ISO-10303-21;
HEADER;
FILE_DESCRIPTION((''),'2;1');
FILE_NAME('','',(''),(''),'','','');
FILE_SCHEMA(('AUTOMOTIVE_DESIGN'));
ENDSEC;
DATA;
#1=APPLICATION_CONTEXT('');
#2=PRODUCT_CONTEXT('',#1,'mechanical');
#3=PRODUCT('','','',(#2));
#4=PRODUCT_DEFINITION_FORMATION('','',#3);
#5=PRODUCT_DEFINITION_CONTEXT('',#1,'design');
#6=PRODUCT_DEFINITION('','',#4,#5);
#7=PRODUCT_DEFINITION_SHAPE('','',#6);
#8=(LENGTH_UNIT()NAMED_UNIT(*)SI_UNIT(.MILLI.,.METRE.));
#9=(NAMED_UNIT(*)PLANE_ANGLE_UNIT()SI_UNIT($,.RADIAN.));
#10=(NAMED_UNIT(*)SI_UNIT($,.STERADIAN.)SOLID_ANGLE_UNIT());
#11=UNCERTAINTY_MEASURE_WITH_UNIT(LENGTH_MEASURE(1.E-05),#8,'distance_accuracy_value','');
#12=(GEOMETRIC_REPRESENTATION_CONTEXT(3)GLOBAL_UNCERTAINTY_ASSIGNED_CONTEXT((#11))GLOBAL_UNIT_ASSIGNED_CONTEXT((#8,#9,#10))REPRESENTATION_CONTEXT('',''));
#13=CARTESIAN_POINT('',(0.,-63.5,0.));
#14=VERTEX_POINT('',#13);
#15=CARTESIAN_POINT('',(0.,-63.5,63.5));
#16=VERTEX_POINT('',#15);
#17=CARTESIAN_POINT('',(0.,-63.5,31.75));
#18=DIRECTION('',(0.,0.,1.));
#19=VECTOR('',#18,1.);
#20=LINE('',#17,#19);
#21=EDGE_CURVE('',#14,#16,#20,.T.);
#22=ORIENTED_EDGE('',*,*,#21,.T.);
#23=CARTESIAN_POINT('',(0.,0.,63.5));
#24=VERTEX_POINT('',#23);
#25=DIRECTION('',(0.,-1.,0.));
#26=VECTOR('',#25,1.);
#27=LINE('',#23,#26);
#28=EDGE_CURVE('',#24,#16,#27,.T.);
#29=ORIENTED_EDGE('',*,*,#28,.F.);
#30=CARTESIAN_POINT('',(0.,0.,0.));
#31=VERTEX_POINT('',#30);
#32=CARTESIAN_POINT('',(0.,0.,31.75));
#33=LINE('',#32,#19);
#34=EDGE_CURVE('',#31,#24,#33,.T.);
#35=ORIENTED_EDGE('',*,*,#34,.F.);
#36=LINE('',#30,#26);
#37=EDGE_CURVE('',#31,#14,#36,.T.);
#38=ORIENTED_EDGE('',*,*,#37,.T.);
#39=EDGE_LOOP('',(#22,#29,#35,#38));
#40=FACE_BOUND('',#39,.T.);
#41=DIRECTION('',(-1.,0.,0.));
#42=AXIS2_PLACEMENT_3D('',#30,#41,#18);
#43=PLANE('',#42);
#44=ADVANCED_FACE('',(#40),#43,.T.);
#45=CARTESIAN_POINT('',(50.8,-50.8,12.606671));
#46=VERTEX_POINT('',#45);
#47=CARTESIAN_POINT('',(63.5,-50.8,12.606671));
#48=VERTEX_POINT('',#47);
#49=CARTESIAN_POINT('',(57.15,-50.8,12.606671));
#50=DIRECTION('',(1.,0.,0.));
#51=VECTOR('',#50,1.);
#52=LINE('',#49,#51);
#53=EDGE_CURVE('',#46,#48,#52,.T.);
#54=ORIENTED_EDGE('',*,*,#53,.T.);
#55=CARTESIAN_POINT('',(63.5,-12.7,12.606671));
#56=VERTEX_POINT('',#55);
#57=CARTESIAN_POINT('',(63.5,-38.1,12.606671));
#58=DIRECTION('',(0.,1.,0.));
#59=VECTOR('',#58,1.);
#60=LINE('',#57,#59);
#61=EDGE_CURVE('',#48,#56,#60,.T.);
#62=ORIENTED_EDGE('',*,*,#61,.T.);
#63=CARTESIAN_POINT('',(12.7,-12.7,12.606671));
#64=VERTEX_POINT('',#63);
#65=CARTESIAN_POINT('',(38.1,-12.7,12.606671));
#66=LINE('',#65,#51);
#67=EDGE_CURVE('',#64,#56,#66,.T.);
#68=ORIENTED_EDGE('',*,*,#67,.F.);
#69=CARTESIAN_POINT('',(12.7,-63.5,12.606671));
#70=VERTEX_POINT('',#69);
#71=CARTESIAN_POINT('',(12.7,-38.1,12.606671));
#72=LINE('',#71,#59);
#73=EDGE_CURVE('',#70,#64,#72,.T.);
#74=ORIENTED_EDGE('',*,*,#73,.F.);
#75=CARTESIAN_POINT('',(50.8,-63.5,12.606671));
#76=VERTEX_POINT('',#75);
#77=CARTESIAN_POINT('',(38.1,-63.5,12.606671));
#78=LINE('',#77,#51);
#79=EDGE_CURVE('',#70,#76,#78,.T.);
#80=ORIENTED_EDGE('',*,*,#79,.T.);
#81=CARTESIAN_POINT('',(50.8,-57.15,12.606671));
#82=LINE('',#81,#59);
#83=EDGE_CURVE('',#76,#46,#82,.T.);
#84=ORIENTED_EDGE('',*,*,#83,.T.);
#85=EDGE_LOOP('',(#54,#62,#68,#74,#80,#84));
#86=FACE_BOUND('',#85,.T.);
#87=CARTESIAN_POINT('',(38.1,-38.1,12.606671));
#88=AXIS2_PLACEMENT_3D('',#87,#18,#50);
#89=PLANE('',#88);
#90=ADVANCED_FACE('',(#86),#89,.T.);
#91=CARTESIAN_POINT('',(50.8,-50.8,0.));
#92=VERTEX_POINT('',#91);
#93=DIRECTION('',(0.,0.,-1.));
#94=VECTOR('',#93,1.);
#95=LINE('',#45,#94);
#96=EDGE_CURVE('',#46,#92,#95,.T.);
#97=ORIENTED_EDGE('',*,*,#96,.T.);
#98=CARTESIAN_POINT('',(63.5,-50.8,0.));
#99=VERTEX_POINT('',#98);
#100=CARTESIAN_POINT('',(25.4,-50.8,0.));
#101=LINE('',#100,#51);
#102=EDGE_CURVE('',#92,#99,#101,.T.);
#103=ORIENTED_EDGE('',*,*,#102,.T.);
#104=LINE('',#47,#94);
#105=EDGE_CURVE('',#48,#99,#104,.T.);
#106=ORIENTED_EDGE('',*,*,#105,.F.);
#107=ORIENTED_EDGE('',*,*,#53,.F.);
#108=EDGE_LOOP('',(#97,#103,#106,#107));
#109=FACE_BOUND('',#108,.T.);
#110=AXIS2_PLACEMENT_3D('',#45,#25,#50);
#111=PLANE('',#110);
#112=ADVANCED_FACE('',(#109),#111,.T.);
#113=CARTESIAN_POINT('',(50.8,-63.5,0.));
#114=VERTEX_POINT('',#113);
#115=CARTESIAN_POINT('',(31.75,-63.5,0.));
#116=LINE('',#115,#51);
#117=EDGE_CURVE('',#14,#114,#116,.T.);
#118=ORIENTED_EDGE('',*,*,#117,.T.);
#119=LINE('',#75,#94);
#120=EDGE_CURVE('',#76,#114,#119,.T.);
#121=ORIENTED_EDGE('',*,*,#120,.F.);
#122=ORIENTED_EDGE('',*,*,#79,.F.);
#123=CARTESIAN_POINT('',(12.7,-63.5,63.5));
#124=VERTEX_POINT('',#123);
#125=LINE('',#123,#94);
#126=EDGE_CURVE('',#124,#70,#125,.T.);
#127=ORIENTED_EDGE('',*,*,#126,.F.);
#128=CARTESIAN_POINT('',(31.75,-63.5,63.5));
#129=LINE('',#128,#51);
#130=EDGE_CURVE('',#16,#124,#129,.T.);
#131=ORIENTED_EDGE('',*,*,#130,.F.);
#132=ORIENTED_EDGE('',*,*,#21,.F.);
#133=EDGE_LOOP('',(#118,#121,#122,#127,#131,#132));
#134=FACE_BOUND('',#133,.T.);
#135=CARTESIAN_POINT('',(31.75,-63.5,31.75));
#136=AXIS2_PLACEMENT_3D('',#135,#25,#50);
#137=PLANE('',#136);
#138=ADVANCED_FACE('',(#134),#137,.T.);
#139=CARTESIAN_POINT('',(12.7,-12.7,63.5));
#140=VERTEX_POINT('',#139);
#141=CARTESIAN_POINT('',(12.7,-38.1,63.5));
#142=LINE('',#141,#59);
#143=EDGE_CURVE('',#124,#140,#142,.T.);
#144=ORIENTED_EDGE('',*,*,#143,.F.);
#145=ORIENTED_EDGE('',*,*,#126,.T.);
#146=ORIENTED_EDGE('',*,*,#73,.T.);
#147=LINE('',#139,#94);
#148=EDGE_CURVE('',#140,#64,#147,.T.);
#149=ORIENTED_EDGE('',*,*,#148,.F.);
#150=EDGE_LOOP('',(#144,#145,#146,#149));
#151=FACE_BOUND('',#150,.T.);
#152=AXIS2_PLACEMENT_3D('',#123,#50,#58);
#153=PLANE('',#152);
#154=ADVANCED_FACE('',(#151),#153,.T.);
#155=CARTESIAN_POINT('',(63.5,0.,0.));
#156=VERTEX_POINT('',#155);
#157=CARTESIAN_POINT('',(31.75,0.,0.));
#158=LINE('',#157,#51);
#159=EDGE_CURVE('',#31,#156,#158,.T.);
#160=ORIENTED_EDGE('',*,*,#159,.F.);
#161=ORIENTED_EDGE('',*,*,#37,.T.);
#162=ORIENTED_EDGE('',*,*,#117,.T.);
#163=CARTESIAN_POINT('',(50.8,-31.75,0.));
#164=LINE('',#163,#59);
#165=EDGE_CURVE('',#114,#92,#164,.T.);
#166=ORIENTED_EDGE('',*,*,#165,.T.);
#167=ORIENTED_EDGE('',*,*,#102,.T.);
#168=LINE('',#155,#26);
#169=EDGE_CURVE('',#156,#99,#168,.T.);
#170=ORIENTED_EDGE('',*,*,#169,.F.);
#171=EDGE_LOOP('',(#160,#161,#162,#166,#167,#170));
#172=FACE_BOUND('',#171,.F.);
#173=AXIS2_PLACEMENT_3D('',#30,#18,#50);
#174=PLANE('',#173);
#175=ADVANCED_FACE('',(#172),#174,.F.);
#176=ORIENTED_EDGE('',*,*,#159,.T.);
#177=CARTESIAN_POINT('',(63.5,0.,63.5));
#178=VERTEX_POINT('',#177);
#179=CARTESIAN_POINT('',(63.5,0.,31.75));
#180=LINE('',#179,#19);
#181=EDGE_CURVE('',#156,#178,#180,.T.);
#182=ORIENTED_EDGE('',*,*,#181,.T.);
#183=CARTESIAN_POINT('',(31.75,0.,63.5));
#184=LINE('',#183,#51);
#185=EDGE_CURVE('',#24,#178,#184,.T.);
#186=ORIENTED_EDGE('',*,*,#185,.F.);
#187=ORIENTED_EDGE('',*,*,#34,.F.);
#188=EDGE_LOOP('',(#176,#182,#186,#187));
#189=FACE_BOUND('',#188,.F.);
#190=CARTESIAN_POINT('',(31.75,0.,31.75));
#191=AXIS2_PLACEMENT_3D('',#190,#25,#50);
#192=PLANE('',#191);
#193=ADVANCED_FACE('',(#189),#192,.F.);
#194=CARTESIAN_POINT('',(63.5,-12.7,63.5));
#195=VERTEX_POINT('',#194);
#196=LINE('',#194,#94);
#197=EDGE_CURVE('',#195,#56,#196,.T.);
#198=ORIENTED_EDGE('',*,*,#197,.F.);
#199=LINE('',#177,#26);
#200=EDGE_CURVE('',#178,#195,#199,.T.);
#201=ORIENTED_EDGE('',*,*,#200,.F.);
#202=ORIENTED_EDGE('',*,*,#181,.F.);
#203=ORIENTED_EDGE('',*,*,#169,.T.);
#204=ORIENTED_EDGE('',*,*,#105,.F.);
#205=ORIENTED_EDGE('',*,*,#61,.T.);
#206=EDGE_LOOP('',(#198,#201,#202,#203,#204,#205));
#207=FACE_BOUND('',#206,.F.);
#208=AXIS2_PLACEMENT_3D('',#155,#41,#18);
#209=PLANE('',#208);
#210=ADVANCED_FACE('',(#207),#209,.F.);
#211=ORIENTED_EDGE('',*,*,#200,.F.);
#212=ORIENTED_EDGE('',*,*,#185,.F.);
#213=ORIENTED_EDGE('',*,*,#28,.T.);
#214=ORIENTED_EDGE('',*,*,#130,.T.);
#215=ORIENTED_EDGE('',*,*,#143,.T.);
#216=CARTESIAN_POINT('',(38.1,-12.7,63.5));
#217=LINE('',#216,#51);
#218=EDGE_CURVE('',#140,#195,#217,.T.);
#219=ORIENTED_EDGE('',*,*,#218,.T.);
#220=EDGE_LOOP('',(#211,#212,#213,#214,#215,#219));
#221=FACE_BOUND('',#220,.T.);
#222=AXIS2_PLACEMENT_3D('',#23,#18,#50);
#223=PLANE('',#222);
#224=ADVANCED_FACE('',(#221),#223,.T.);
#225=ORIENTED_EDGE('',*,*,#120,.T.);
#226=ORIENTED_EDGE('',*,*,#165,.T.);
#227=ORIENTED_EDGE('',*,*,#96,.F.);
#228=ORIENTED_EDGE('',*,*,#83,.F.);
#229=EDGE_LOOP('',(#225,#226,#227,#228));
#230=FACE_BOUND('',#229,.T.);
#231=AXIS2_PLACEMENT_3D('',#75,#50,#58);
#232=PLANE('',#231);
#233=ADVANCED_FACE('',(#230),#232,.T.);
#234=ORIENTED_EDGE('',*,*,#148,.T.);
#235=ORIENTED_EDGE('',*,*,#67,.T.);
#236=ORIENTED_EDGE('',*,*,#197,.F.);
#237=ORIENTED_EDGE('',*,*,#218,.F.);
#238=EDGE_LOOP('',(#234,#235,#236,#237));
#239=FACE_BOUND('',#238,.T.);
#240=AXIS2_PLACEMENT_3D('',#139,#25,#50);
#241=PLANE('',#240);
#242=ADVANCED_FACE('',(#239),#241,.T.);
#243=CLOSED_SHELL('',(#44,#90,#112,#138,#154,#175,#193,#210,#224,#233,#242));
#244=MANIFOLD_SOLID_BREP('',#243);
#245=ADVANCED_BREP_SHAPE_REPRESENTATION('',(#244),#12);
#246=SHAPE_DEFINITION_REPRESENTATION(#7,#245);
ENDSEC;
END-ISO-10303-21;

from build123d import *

# Parameters (mm, degrees)
F0_W     = 63.5
F0_H     = 63.5
F1_DEPTH = 63.5
F2_W     = 50.8
F2_H     = 50.8
F3_DEPTH = 50.893329
F4_W     = 12.7
F4_H     = 12.7
F5_DEPTH = 25.4


with BuildPart() as f1:
    # F0 (on Front) → F1 (new body)
    with BuildSketch(Plane.XZ):
        with Locations((31.75, 31.75)):
            Rectangle(F0_W, F0_H)
    extrude(amount=F1_DEPTH)

    # F2 (on face) → F3 (cut)
    with BuildSketch(Plane.XY.offset(63.5)):
        with Locations((38.1, -38.1)):
            Rectangle(F2_W, F2_H)
    extrude(amount=-F3_DEPTH, mode=Mode.SUBTRACT)

    # F4 (on face) → F5 (cut)
    with BuildSketch(Plane.XY.offset(12.606671)):
        with Locations((57.15, -57.15)):
            Rectangle(F4_W, F4_H)
    extrude(amount=-F5_DEPTH, mode=Mode.SUBTRACT)


solid = f1.part
